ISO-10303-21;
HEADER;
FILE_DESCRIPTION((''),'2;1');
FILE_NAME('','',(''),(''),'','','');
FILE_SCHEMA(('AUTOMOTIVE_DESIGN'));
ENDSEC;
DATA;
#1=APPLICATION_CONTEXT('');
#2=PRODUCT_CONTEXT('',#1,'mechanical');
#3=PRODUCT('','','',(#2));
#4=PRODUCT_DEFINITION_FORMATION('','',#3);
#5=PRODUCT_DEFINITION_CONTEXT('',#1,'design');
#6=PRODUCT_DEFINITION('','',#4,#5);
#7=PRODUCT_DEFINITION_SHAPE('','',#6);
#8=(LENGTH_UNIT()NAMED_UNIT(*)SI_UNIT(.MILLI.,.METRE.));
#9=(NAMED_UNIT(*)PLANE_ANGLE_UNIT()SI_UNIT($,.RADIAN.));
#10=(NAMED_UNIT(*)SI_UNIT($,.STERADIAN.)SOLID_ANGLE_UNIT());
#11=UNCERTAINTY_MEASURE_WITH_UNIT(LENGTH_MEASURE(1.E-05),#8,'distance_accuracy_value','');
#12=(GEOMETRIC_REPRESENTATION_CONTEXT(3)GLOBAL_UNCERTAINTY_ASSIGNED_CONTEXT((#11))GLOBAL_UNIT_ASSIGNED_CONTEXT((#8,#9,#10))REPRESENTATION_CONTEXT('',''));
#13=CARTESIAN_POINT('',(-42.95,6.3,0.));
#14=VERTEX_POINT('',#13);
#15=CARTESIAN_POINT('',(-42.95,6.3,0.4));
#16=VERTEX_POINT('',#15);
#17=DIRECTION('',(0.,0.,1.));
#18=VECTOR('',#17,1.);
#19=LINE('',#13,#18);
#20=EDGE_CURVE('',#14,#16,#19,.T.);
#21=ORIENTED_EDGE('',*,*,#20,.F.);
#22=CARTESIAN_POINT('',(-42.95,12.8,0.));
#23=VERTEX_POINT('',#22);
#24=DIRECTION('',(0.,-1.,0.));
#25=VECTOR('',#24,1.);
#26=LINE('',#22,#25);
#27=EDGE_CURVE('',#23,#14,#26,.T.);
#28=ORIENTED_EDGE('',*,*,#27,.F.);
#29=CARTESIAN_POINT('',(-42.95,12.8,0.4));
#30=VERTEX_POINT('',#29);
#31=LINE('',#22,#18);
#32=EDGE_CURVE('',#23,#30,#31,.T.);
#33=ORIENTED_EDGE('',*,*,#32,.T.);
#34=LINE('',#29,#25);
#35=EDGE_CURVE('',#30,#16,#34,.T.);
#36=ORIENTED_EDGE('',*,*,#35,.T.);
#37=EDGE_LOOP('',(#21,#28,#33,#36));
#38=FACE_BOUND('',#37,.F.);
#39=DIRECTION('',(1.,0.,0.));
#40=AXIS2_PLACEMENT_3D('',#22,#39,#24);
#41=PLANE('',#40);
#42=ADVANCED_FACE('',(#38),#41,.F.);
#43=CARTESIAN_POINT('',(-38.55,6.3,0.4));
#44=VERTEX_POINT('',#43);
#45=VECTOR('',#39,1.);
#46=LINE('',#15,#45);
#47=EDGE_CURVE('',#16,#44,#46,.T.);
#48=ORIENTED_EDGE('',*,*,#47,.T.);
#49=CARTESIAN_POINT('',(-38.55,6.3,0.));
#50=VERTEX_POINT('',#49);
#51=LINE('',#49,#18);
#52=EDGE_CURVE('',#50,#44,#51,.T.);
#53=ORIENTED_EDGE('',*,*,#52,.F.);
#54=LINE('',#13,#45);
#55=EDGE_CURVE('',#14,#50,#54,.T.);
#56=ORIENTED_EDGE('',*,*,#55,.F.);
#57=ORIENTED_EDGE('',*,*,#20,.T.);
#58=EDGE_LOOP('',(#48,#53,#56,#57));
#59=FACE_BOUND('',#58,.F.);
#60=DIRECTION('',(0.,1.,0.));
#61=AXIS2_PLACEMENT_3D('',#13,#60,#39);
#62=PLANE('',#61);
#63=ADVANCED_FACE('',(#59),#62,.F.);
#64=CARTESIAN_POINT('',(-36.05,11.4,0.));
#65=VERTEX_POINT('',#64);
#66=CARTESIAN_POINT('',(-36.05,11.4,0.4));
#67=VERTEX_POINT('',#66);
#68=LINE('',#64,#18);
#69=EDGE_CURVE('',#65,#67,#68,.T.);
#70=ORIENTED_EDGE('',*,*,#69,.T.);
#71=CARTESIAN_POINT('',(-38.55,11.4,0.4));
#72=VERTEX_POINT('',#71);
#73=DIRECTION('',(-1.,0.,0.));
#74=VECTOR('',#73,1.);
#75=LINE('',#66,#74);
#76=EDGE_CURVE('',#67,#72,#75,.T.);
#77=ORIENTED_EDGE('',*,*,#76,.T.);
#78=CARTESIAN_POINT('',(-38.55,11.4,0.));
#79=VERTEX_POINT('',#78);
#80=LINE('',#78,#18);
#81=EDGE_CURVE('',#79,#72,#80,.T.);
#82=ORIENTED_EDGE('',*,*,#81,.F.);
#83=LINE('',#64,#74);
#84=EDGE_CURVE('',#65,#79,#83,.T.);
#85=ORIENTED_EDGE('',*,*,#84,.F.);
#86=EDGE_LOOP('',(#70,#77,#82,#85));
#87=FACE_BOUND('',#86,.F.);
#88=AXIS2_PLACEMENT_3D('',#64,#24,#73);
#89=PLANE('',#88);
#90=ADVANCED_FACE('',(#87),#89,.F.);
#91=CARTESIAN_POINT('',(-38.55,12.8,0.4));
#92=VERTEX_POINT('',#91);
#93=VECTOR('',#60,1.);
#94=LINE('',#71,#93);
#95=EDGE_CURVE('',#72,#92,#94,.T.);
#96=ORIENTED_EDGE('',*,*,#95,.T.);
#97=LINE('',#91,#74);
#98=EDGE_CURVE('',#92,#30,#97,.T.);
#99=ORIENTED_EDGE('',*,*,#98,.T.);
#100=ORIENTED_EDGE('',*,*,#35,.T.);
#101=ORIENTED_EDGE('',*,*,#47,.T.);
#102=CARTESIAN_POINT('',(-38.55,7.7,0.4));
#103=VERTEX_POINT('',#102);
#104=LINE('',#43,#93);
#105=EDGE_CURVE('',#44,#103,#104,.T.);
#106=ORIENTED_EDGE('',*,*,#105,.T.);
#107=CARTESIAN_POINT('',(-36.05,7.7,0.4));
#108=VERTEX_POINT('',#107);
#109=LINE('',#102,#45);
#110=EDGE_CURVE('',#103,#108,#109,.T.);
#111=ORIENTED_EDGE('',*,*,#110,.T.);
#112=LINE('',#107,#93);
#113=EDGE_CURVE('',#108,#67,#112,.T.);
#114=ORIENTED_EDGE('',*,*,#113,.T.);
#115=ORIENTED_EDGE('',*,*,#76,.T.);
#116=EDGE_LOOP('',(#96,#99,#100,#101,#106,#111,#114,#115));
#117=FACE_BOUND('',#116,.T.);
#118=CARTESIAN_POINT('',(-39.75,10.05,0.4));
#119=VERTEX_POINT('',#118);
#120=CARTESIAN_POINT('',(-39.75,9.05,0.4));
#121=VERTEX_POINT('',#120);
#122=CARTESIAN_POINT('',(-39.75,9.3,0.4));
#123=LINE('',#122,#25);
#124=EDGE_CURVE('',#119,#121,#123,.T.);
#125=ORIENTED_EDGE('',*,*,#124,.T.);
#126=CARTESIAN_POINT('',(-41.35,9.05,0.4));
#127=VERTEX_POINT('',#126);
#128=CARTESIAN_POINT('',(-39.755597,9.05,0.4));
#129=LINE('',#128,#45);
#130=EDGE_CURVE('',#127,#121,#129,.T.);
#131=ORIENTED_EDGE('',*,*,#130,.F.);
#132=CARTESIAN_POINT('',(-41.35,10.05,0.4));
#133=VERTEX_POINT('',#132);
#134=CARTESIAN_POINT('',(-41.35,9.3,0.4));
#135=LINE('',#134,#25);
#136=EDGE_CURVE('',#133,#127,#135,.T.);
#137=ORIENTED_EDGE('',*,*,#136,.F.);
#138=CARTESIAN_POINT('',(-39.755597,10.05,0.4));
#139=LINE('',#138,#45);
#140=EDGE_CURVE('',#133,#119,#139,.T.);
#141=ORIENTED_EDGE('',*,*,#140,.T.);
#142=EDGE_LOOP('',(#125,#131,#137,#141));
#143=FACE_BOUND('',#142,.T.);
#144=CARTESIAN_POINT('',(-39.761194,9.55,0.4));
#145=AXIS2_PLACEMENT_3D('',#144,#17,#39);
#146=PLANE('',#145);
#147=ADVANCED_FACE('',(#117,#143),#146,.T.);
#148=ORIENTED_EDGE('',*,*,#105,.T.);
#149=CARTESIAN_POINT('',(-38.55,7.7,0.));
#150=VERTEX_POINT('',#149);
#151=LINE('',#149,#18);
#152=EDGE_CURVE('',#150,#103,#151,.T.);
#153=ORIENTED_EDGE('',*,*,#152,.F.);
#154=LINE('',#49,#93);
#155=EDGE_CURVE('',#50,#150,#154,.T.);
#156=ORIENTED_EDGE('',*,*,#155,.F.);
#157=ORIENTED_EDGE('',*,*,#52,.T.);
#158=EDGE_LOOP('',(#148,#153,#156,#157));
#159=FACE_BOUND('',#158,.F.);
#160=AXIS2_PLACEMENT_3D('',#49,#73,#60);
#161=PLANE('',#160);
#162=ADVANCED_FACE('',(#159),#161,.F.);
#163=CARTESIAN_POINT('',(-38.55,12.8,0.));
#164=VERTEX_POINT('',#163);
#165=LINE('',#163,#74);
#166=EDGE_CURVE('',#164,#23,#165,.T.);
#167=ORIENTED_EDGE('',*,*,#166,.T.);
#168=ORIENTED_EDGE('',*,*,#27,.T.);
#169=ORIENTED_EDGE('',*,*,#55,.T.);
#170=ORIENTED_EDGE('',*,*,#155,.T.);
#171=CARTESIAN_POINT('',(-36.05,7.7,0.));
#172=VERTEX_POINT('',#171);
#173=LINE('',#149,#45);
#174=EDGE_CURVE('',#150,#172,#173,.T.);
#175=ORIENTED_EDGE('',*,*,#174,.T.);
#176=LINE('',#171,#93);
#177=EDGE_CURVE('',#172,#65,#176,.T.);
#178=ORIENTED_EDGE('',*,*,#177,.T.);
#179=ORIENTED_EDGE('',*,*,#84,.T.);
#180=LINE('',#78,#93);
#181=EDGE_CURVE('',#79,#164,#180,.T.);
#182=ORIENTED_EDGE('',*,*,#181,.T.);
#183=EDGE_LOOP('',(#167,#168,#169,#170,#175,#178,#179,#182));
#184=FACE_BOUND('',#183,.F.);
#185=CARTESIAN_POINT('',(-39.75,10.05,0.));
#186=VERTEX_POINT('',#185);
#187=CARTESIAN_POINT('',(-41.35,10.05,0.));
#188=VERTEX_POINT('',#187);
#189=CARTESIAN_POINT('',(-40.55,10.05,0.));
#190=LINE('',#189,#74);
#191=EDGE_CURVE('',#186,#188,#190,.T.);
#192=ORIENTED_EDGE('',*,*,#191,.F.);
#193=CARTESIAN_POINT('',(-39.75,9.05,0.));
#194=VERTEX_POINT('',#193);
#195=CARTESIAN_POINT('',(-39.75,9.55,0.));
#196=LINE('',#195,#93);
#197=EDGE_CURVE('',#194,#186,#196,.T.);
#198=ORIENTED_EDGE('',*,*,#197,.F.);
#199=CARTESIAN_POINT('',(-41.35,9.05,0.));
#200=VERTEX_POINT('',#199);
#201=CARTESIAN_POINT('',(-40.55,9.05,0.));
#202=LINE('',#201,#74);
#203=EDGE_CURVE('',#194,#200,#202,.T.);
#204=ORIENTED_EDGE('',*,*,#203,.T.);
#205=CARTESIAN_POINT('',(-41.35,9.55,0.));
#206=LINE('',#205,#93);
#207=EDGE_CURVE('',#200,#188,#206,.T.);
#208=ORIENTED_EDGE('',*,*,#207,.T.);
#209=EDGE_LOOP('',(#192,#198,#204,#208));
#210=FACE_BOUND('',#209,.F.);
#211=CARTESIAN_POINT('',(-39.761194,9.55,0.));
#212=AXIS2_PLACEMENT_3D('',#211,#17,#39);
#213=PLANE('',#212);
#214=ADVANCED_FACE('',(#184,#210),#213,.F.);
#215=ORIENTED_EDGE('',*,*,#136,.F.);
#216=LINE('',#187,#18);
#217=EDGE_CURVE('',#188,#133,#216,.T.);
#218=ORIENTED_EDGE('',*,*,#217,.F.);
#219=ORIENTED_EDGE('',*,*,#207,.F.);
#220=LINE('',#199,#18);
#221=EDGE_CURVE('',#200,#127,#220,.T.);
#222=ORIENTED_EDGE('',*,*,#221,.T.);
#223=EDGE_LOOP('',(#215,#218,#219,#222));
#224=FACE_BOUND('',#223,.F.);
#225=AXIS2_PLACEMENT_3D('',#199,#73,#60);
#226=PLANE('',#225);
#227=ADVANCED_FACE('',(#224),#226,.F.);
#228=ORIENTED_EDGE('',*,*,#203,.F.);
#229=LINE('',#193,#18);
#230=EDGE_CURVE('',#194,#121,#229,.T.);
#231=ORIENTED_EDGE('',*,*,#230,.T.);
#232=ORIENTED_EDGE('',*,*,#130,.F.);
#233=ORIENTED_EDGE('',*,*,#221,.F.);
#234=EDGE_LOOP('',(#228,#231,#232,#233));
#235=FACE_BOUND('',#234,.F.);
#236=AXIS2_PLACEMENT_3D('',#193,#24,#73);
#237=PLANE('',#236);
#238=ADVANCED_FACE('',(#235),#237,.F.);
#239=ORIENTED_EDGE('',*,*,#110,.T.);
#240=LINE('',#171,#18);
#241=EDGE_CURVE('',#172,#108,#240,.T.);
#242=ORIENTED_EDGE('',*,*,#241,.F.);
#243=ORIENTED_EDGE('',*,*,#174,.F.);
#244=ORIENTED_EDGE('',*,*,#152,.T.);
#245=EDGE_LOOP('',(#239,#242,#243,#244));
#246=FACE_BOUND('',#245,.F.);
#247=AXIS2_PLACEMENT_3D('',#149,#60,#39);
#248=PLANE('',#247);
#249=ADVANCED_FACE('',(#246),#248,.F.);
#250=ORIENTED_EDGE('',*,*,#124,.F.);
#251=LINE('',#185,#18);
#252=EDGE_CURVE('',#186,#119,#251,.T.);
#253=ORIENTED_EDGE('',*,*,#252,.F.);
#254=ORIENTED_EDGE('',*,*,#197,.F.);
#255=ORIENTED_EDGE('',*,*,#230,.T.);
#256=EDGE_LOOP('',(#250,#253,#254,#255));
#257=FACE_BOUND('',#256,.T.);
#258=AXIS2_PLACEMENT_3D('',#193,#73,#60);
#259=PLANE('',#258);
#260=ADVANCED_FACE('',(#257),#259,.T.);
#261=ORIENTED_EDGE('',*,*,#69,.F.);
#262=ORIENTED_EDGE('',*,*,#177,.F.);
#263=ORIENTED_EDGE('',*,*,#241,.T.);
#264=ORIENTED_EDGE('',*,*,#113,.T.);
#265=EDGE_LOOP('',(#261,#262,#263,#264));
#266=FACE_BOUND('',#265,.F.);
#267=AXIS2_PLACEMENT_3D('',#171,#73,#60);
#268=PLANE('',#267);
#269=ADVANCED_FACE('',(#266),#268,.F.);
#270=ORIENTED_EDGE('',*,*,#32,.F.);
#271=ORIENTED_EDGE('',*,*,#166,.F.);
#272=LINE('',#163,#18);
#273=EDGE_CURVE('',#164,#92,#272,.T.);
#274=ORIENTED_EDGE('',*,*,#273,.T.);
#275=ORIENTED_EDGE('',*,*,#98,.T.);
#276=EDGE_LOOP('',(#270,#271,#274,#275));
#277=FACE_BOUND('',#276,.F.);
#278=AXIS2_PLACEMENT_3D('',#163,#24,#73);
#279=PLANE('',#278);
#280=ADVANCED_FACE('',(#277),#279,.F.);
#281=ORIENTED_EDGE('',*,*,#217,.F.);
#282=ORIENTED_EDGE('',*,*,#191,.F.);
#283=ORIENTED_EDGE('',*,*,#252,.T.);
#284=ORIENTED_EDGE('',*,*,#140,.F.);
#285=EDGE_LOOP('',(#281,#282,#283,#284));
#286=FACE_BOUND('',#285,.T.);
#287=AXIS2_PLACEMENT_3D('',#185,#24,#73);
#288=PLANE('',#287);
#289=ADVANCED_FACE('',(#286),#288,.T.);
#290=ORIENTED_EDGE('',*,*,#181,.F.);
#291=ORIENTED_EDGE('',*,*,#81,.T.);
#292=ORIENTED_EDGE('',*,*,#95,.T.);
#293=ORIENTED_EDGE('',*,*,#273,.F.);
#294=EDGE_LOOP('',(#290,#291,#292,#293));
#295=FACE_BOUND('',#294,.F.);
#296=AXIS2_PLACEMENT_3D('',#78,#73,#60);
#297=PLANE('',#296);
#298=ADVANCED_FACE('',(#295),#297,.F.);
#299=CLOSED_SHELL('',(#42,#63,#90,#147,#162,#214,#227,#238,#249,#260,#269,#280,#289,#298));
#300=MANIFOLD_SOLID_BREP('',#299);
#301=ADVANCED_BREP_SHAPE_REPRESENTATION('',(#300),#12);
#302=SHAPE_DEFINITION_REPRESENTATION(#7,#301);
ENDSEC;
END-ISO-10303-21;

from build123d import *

# Parameters (mm, degrees)
PAD002_DEPTH    = 0.4
SKETCH010_W     = 1.6
SKETCH010_H     = 1
POCKET006_DEPTH = 0.401


with BuildPart() as contact:
    # Sketch009 (on Face1 of ShapeBinder) → Pad002 (new body)
    with BuildSketch(Plane(origin=(0, 0, 0), x_dir=(1, 0, 0), z_dir=(0, 0, -1))):
        Polygon((36.05, 11.4), (38.55, 11.4), (38.55, 12.8), (42.95, 12.8), (42.95, 6.3), (38.55, 6.3), (38.55, 7.7), (36.05, 7.7), align=None)
    extrude(amount=-PAD002_DEPTH)

    # Sketch010 (on Face9 of Pad002) → Pocket006 (cut, through all)
    with BuildSketch(Plane(origin=(0, 0, 0), x_dir=(1, 0, 0), z_dir=(0, 0, -1))):
        with Locations((40.55, 9.55)):
            Rectangle(SKETCH010_W, SKETCH010_H)
    extrude(amount=-POCKET006_DEPTH, mode=Mode.SUBTRACT)


with BuildPart() as contact_mirrored:
    # mirror: instance of contact
    add(contact.part.mirror(Plane(origin=(0, 19.85, 7), x_dir=(0, 1, 0), z_dir=(-1, 0, 0))))


with BuildPart() as contact_mirrored_mirrored:
    # mirror001: instance of contact (mirrored) 
    add(contact_mirrored.part.mirror(Plane(origin=(-38.55, 0, 15), x_dir=(-1, 0, 0), z_dir=(0, -1, 0))))


solid = contact_mirrored_mirrored.part
